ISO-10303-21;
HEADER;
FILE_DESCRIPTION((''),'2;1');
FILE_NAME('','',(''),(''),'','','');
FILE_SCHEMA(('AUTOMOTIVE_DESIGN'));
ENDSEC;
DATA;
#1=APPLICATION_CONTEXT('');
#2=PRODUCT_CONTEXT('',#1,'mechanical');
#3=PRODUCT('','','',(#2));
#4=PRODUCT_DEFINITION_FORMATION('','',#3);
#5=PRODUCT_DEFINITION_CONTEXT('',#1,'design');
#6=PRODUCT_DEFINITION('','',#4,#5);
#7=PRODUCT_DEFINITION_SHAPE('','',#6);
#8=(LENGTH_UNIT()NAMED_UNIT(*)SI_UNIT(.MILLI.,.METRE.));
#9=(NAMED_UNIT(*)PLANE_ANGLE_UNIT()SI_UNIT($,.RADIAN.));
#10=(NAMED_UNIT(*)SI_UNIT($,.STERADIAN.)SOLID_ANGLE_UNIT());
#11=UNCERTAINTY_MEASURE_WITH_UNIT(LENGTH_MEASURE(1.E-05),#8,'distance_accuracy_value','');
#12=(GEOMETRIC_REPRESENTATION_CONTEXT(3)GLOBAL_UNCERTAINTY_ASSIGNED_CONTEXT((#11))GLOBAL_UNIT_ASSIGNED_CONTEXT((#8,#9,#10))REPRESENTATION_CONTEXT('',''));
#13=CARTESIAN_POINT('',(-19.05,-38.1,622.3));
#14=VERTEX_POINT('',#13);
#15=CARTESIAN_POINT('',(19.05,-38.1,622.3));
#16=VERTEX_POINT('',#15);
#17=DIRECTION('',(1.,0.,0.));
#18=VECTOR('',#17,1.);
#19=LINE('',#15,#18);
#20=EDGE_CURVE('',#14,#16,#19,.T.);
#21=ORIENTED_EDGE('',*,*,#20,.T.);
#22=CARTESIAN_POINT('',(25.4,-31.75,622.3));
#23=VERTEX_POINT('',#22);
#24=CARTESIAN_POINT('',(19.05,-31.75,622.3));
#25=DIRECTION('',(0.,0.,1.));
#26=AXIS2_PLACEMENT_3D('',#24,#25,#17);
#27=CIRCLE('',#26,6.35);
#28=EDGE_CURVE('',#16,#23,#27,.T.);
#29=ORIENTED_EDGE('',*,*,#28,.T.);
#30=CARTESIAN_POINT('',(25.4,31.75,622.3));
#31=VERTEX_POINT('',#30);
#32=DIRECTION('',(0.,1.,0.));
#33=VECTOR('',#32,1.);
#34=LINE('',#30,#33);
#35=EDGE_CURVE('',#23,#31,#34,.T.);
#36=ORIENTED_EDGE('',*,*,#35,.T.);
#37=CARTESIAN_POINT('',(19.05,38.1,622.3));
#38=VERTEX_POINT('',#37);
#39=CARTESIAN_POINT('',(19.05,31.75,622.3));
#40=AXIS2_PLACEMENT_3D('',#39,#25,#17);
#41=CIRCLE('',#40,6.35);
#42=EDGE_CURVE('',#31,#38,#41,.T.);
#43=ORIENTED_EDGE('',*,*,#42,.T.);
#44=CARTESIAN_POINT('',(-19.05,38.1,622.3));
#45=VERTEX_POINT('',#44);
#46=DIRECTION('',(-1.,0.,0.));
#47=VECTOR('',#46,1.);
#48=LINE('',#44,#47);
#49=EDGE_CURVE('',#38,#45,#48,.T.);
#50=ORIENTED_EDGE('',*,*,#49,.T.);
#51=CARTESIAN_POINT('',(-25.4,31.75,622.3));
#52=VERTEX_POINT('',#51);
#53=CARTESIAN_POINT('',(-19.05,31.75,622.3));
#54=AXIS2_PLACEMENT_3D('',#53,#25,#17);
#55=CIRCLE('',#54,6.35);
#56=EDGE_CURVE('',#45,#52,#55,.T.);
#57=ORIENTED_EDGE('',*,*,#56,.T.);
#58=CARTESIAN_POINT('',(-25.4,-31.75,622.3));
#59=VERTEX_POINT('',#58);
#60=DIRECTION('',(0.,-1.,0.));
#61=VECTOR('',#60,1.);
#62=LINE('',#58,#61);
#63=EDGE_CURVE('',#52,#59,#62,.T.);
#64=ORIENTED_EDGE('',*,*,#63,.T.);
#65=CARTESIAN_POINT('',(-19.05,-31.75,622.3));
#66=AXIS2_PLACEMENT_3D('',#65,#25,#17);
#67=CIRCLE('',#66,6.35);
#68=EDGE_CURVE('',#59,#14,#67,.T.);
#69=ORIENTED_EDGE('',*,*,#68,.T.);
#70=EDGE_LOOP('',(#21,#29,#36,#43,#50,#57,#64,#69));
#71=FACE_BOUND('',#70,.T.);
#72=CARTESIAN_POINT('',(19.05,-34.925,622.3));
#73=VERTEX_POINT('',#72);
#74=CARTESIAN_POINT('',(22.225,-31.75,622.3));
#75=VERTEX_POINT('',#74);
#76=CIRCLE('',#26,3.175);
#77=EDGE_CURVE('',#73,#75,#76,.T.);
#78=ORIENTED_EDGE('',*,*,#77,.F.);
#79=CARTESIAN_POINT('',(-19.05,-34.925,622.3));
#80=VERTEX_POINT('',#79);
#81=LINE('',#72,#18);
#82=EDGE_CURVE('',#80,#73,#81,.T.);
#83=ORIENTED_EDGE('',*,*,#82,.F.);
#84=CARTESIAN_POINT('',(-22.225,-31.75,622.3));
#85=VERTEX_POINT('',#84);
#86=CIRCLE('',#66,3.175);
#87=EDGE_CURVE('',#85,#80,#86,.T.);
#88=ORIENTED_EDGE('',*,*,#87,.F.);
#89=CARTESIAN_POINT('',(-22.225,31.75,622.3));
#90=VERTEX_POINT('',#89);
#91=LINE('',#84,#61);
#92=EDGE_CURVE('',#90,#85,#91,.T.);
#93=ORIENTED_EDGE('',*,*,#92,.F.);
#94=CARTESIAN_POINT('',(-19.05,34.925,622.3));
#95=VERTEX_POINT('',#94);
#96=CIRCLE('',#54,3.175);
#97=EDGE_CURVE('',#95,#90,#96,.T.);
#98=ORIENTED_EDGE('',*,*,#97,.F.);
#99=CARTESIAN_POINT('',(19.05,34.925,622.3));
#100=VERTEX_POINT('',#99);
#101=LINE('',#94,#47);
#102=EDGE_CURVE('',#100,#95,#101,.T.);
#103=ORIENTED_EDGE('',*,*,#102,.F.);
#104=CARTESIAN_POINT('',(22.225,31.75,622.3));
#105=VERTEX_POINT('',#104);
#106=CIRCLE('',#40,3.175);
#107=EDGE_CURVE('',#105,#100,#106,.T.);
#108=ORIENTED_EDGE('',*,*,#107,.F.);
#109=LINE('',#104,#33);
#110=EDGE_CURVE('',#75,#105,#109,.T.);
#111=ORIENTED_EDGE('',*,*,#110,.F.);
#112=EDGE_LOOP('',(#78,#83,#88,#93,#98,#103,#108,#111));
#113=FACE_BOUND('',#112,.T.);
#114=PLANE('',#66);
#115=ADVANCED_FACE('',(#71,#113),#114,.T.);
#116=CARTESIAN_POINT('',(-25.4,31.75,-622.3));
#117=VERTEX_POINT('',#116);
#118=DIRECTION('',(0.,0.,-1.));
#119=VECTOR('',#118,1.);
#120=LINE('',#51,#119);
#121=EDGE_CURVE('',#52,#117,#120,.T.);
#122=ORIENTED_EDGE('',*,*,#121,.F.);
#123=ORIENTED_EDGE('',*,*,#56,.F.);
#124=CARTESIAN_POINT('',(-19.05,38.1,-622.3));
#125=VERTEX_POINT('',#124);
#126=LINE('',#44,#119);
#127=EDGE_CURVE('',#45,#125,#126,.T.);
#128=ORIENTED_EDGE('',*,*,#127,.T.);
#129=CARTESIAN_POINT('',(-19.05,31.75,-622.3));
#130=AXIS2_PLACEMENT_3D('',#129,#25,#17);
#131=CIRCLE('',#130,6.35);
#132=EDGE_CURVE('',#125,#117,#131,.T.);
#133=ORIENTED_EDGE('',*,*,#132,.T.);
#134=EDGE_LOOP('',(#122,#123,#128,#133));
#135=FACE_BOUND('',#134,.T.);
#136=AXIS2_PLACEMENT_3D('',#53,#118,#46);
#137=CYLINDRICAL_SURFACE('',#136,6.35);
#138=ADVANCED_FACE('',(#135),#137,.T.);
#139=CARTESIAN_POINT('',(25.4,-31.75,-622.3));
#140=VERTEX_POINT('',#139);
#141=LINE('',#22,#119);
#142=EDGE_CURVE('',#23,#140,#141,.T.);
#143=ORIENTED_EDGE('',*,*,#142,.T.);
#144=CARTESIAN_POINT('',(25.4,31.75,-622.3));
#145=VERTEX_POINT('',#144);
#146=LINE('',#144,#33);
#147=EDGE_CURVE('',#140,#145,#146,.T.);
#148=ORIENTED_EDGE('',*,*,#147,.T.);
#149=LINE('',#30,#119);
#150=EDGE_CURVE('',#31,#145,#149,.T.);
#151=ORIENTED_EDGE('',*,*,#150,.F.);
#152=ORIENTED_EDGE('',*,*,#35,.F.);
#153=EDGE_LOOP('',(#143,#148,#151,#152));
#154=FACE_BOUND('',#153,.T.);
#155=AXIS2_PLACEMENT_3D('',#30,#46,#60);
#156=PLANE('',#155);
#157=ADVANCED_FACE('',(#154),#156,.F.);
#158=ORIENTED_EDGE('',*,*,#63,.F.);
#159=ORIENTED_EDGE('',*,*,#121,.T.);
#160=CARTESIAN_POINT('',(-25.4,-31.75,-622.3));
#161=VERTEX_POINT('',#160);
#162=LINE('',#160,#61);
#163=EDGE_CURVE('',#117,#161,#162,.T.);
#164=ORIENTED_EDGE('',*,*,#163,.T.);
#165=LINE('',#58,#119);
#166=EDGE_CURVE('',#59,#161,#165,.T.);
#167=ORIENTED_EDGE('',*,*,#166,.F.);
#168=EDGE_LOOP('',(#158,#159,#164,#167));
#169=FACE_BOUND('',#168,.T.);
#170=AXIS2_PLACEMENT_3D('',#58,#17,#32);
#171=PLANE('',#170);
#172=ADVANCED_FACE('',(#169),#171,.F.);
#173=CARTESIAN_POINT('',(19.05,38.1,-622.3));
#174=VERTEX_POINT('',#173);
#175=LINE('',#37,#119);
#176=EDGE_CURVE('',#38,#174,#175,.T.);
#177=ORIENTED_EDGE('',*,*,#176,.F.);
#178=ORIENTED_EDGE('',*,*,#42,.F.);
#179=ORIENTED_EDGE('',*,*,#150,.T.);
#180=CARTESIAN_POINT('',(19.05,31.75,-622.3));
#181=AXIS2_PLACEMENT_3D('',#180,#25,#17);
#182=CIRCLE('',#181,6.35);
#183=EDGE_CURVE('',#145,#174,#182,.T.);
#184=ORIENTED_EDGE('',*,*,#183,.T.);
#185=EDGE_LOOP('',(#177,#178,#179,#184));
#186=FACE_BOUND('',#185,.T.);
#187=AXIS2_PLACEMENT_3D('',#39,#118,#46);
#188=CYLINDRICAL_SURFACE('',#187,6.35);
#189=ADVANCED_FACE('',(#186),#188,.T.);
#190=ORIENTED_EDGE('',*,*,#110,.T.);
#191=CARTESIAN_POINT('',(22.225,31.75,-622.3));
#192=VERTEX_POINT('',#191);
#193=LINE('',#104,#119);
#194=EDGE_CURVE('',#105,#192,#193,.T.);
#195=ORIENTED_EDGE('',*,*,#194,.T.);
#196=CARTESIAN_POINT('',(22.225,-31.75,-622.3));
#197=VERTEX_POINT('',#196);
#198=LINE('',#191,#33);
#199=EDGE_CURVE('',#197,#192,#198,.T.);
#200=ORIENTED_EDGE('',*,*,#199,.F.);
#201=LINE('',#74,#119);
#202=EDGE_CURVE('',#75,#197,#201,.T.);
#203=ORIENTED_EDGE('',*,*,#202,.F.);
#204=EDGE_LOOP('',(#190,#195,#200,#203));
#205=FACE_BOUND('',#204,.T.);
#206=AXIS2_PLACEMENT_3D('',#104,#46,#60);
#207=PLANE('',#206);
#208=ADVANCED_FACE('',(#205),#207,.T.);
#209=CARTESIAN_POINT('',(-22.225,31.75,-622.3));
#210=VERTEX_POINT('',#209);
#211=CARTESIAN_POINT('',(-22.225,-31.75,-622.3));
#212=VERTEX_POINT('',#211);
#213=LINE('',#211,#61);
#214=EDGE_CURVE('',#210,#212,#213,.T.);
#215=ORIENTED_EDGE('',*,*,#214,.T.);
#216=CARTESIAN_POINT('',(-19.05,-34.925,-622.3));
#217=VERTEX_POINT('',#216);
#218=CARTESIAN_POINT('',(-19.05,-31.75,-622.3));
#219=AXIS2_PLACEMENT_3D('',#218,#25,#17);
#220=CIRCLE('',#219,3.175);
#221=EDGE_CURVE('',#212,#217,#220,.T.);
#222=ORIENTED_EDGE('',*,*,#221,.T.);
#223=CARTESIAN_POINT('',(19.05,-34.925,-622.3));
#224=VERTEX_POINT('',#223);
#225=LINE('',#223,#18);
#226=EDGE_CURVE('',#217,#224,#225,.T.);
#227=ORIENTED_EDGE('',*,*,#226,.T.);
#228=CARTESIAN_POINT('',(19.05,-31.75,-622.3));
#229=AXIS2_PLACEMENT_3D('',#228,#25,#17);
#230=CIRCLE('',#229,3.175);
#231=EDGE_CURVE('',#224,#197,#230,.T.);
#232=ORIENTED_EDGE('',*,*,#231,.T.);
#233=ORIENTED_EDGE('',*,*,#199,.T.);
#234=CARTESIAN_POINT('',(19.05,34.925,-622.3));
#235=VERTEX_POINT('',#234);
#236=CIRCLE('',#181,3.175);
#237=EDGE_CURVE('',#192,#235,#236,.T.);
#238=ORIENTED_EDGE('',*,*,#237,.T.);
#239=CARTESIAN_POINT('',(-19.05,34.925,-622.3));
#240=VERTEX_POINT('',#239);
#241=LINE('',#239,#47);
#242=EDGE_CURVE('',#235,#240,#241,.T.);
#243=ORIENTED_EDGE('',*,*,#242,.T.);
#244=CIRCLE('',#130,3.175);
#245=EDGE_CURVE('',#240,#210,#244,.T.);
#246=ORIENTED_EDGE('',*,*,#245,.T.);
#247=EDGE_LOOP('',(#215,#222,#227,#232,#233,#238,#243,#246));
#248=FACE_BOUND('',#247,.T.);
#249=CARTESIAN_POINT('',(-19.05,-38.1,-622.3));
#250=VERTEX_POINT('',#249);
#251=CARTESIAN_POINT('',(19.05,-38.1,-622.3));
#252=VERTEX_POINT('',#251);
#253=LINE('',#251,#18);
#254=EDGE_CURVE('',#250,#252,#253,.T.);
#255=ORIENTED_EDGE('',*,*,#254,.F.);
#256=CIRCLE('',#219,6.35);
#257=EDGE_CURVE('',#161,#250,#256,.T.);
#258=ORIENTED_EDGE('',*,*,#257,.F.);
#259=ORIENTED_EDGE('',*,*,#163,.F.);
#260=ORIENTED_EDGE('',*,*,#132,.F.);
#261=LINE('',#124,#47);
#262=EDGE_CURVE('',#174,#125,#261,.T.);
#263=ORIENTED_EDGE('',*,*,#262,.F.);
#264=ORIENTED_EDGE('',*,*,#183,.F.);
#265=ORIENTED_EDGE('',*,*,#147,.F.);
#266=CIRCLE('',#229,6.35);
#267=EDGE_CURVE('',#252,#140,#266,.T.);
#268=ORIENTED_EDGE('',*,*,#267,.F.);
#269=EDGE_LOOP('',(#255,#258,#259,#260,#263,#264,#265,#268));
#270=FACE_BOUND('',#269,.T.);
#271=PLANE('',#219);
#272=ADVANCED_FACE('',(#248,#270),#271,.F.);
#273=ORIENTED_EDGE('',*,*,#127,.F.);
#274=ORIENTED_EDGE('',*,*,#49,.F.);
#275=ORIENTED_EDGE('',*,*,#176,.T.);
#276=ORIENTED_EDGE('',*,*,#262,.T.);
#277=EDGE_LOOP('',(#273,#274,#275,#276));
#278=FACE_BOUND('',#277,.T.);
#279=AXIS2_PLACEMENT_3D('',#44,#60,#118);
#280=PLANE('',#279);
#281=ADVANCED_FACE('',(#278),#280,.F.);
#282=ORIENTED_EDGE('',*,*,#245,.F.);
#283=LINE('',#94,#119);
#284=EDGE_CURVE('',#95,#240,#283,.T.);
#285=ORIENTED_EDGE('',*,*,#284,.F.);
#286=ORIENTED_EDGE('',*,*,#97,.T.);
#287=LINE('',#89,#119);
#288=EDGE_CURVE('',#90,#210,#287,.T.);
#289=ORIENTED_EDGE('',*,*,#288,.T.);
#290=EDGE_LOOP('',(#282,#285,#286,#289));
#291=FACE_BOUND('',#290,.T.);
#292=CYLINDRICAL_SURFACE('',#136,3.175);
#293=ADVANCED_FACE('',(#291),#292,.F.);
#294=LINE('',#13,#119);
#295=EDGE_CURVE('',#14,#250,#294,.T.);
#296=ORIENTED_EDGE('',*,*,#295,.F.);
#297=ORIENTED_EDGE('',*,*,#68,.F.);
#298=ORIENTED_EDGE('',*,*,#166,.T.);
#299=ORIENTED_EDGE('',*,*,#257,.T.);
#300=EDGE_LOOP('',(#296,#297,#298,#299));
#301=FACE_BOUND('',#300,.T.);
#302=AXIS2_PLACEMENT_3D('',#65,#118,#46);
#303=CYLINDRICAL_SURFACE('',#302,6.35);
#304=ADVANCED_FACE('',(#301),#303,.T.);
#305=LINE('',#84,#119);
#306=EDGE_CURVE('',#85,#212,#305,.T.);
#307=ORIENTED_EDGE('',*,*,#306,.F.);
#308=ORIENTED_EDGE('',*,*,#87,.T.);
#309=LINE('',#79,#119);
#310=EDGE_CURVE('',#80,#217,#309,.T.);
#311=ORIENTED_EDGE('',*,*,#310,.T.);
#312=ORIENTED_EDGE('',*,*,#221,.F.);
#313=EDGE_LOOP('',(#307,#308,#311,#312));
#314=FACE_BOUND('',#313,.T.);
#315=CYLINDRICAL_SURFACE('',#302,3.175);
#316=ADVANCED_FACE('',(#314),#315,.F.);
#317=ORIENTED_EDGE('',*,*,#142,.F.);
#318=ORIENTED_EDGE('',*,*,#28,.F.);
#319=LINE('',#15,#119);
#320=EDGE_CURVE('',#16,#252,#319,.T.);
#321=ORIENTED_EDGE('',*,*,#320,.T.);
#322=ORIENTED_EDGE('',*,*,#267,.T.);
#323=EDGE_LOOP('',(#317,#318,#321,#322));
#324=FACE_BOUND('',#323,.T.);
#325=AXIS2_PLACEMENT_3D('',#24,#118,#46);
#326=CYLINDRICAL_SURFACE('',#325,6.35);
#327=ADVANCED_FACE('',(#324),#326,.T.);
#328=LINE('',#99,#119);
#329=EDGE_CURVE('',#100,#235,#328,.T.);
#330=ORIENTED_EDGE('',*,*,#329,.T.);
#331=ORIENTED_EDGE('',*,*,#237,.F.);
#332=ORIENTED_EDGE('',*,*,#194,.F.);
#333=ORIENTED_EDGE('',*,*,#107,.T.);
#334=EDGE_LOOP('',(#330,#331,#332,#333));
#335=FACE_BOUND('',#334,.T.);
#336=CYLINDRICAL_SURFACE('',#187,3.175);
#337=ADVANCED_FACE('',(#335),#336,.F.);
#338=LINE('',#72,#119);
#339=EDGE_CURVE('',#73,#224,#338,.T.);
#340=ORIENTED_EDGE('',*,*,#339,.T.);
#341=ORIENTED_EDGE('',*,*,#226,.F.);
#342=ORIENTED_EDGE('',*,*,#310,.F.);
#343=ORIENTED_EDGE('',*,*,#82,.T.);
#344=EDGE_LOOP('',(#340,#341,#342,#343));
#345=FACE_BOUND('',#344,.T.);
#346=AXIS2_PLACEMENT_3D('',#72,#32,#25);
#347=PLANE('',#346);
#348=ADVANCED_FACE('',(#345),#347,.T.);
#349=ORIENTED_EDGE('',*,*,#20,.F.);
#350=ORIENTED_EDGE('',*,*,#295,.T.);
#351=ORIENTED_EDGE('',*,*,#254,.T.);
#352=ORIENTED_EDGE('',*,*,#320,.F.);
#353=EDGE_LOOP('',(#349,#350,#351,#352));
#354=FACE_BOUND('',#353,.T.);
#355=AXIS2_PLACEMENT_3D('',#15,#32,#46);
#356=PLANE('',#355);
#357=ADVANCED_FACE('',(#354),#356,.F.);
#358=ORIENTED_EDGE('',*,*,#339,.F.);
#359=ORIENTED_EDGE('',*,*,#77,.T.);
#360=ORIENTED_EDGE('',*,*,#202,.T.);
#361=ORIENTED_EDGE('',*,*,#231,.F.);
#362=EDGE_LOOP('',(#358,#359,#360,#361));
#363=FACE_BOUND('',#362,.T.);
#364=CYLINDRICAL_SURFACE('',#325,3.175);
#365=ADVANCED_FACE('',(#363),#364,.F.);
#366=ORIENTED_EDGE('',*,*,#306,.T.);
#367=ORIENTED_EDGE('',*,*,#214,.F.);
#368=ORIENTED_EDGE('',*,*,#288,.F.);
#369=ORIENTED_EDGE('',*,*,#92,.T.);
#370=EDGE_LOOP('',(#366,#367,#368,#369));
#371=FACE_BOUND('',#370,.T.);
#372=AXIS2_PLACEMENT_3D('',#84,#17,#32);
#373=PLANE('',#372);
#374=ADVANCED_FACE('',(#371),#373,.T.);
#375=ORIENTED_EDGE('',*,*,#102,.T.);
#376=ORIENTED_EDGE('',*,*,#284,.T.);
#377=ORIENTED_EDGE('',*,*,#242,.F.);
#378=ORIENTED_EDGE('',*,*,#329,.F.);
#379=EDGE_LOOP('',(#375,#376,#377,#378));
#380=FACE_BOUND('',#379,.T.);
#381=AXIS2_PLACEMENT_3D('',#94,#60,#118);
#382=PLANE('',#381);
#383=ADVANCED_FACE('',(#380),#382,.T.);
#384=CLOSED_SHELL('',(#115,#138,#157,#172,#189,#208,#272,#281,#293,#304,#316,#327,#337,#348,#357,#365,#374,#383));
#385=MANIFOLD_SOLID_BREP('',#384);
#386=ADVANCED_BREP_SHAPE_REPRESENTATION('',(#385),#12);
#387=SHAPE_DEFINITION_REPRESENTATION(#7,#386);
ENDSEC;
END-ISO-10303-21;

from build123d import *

# Parameters (mm, degrees)
BOSS_EXTRUDE2_DEPTH = 622.3


with BuildPart() as part:
    # Sketch13 → Boss-Extrude2 (new body, symmetric)
    with BuildSketch(Plane.XY):
        with BuildLine():
            Line((19.05, -38.1), (-19.05, -38.1))
            ThreePointArc((-19.05, -38.1), (-23.540128061, -36.240128061), (-25.4, -31.75))
            Line((-25.4, -31.75), (-25.4, 31.75))
            ThreePointArc((-25.4, 31.75), (-23.540128061, 36.240128061), (-19.05, 38.1))
            Line((-19.05, 38.1), (19.05, 38.1))
            ThreePointArc((19.05, 38.1), (23.540128061, 36.240128061), (25.4, 31.75))
            Line((25.4, 31.75), (25.4, -31.75))
            ThreePointArc((25.4, -31.75), (23.540128061, -36.240128061), (19.05, -38.1))
        make_face()
        with BuildLine():
            Line((19.05, -34.925), (-19.05, -34.925))
            ThreePointArc((-19.05, -34.925), (-21.29506403, -33.99506403), (-22.225, -31.75))
            Line((-22.225, -31.75), (-22.225, 31.75))
            ThreePointArc((-22.225, 31.75), (-21.29506403, 33.99506403), (-19.05, 34.925))
            Line((-19.05, 34.925), (19.05, 34.925))
            ThreePointArc((19.05, 34.925), (21.29506403, 33.99506403), (22.225, 31.75))
            Line((22.225, 31.75), (22.225, -31.75))
            ThreePointArc((22.225, -31.75), (21.29506403, -33.99506403), (19.05, -34.925))
        make_face(mode=Mode.SUBTRACT)
    extrude(amount=BOSS_EXTRUDE2_DEPTH, both=True)


solid = part.part
